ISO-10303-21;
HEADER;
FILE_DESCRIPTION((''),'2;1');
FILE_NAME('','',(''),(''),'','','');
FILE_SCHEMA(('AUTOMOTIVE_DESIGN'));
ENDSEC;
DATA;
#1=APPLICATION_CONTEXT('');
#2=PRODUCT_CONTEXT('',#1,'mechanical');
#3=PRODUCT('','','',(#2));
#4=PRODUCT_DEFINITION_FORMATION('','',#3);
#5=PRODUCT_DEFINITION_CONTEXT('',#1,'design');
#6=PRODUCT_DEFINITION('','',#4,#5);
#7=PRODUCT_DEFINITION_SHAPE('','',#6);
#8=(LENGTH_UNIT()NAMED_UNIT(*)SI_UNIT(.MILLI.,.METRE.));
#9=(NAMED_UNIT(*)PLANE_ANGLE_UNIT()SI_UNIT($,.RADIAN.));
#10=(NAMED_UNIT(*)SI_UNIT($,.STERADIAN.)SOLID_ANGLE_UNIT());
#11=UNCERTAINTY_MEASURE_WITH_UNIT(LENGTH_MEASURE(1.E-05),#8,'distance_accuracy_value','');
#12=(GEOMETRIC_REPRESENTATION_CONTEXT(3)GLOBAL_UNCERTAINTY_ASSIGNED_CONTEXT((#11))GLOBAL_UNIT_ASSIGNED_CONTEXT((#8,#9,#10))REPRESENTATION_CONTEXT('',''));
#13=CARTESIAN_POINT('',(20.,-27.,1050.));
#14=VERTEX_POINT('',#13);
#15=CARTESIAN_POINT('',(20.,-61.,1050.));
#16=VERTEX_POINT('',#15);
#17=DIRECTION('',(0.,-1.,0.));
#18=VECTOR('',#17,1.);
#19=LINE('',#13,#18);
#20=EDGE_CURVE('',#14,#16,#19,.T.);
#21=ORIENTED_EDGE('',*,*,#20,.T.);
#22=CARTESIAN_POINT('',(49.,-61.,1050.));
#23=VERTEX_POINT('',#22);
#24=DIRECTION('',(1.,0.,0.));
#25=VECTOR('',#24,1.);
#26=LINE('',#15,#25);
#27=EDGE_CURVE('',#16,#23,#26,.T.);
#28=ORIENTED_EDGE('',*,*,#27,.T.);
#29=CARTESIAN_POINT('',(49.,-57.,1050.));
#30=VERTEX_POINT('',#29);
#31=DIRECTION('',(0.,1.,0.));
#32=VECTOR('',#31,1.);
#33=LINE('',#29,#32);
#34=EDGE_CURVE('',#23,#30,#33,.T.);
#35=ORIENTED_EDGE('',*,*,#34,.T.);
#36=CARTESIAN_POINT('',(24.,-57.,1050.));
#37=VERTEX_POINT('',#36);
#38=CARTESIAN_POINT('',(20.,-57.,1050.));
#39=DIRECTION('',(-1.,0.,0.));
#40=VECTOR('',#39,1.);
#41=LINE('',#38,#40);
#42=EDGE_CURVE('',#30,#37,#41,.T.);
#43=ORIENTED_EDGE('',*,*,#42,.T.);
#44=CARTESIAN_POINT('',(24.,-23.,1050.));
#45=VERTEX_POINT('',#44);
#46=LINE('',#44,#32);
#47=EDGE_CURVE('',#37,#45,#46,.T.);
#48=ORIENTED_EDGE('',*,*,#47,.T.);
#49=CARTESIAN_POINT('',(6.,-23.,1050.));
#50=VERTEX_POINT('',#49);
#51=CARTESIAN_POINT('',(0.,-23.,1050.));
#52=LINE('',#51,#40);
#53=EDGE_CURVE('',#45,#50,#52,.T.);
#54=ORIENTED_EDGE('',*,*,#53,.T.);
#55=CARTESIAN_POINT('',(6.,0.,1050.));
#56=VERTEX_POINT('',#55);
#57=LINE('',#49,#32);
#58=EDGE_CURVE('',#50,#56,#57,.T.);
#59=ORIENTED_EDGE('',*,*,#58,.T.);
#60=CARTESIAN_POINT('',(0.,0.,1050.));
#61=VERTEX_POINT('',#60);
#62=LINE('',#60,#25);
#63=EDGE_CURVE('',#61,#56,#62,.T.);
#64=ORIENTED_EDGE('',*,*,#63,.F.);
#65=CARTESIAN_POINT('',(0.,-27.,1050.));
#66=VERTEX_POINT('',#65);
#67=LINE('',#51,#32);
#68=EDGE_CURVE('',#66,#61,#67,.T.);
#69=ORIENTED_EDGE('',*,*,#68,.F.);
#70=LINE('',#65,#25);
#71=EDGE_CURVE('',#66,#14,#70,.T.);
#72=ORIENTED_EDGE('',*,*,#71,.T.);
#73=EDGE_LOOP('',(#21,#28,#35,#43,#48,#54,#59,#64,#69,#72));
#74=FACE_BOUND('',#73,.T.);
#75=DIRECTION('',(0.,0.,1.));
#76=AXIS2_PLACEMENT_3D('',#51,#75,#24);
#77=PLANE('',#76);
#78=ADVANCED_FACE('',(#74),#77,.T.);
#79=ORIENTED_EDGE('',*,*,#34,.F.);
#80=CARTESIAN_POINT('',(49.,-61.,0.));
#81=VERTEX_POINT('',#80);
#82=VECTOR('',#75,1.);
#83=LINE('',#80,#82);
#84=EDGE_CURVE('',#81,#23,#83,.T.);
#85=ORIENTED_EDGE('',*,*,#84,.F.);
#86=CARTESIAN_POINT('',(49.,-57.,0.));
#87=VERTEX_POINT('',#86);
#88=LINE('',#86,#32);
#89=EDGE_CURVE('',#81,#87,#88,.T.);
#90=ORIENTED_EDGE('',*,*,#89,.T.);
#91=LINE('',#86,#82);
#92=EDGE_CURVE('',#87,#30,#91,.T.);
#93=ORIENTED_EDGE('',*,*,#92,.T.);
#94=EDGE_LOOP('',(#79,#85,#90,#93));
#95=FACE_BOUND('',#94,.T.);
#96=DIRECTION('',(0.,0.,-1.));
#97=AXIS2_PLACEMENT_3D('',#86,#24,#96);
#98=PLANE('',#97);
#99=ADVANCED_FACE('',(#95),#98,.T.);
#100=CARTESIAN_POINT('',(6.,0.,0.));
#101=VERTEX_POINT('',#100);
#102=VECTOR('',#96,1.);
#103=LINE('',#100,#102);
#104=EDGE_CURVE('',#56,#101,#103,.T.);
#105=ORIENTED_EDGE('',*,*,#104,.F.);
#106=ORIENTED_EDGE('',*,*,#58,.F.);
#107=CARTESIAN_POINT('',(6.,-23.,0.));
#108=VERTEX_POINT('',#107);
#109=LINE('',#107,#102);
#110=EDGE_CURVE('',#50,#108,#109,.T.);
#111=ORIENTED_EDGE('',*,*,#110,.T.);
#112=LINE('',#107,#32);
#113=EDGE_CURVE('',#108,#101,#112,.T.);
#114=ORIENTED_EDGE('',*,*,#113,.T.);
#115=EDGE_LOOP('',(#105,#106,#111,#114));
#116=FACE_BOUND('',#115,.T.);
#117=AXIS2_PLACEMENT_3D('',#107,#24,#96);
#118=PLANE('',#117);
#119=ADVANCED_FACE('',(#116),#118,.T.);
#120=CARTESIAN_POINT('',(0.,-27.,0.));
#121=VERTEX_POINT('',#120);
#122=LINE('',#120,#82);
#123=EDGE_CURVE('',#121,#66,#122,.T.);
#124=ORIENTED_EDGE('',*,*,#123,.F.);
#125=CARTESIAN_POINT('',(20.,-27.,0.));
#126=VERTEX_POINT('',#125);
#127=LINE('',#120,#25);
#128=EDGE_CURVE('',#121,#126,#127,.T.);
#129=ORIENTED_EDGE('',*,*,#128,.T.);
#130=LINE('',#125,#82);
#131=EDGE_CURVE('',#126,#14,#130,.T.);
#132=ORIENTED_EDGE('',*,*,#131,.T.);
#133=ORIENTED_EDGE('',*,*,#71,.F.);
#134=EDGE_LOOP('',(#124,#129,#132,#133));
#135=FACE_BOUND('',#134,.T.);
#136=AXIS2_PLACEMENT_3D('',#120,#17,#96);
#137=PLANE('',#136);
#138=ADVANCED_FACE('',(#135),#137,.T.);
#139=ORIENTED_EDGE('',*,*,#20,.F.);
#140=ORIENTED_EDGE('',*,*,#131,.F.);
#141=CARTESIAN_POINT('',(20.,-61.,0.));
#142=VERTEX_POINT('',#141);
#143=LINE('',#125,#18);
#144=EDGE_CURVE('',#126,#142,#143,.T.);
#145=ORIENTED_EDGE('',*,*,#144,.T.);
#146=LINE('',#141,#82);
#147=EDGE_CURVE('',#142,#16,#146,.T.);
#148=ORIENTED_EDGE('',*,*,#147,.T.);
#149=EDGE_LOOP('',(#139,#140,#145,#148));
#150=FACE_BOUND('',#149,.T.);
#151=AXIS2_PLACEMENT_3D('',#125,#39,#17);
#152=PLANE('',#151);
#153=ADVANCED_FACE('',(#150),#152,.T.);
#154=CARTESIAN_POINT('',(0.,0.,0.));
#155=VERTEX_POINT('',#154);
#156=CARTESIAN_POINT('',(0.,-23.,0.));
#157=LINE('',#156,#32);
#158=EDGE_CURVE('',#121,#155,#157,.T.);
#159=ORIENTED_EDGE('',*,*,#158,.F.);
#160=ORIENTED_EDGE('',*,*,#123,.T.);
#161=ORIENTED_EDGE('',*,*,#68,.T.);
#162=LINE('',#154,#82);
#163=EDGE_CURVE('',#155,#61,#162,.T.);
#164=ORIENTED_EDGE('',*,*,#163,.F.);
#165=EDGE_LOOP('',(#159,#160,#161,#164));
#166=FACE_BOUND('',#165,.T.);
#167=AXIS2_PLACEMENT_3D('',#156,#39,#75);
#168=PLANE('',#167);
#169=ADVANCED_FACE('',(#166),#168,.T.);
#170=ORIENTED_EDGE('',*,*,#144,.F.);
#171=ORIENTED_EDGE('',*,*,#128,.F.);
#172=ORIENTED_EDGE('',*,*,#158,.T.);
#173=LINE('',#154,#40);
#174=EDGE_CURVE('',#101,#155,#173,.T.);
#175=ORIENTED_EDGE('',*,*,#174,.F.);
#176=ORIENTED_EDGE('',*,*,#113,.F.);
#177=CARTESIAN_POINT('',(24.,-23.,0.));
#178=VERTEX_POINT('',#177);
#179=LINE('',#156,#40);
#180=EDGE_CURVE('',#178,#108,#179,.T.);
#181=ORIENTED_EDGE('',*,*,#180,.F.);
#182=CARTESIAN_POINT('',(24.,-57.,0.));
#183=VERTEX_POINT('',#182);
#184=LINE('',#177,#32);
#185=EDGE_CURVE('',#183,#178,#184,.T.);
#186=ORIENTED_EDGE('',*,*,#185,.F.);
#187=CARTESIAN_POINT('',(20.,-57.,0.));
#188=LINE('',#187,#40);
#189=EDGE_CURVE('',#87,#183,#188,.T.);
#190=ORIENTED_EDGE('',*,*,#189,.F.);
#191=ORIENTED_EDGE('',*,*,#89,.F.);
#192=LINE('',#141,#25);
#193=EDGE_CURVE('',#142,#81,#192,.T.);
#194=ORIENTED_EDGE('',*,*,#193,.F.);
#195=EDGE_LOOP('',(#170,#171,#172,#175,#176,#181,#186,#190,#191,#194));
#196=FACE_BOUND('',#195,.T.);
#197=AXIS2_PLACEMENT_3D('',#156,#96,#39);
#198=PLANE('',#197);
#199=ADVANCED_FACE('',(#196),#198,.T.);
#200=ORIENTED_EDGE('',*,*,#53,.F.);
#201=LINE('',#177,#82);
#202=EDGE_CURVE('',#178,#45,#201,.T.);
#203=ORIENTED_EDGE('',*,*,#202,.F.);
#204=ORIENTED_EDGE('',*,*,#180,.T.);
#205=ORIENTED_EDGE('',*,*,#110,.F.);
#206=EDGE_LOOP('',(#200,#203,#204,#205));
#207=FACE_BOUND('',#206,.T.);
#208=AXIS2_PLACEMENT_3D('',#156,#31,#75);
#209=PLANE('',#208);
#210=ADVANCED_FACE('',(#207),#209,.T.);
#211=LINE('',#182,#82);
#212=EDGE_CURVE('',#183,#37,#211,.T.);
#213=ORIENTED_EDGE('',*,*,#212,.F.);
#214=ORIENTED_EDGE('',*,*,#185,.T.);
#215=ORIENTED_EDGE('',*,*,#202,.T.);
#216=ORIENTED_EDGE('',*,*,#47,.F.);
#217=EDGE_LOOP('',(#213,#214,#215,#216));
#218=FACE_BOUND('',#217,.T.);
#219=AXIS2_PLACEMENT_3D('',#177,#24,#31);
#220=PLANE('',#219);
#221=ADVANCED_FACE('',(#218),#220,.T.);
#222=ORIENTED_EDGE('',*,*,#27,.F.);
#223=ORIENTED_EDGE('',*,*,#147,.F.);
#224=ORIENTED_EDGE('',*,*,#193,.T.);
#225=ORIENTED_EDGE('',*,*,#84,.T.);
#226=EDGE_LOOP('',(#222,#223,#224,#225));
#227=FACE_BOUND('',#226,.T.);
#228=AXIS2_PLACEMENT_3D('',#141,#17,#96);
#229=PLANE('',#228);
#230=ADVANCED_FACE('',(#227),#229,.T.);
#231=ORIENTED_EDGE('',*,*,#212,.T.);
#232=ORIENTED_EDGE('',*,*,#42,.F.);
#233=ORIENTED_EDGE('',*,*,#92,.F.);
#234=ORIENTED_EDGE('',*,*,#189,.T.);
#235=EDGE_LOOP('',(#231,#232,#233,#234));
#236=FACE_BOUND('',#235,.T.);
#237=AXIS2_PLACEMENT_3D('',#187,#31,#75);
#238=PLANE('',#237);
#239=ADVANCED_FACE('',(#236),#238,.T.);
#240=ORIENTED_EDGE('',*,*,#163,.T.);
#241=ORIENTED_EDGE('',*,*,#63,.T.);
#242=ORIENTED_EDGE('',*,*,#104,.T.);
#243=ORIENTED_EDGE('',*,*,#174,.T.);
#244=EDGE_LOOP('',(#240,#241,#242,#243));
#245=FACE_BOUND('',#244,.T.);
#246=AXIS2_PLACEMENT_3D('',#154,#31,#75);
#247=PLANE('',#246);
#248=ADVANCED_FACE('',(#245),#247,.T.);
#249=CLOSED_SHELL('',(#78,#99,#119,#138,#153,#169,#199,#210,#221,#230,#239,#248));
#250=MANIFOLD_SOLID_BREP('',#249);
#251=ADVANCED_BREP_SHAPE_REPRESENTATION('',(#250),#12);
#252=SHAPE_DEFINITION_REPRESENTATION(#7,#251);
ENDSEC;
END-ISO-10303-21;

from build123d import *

# Parameters (mm, degrees)
CROQUIS1_W              = 6
CROQUIS1_H              = 1050
SALIENTE_EXTRUIR1_DEPTH = 23
CROQUIS2_W              = 24
CROQUIS2_H              = 4
SALIENTE_EXTRUIR2_DEPTH = 1050
CROQUIS3_W              = 4
CROQUIS3_H              = 30
SALIENTE_EXTRUIR3_DEPTH = 1050
CROQUIS4_W              = 29
CROQUIS4_H              = 4
SALIENTE_EXTRUIR4_DEPTH = 1050


with BuildPart() as part:
    # Croquis1 → Saliente-Extruir1 (new body)
    with BuildSketch(Plane(origin=(0, 0, 0), x_dir=(1, 0, 0), z_dir=(0, 1, 0))):
        with Locations((3, -525)):
            Rectangle(CROQUIS1_W, CROQUIS1_H)
    extrude(amount=-SALIENTE_EXTRUIR1_DEPTH)

    # Croquis2 → Saliente-Extruir2 (add)
    with BuildSketch(Plane.XY.offset(1050)):
        with Locations((12, -25)):
            Rectangle(CROQUIS2_W, CROQUIS2_H)
    extrude(amount=-SALIENTE_EXTRUIR2_DEPTH)

    # Croquis3 → Saliente-Extruir3 (add)
    with BuildSketch(Plane.XY.offset(1050)):
        with Locations((22, -42)):
            Rectangle(CROQUIS3_W, CROQUIS3_H)
    extrude(amount=-SALIENTE_EXTRUIR3_DEPTH)

    # Croquis4 → Saliente-Extruir4 (add)
    with BuildSketch(Plane.XY.offset(1050)):
        with Locations((34.5, -59)):
            Rectangle(CROQUIS4_W, CROQUIS4_H)
    extrude(amount=-SALIENTE_EXTRUIR4_DEPTH)


solid = part.part
